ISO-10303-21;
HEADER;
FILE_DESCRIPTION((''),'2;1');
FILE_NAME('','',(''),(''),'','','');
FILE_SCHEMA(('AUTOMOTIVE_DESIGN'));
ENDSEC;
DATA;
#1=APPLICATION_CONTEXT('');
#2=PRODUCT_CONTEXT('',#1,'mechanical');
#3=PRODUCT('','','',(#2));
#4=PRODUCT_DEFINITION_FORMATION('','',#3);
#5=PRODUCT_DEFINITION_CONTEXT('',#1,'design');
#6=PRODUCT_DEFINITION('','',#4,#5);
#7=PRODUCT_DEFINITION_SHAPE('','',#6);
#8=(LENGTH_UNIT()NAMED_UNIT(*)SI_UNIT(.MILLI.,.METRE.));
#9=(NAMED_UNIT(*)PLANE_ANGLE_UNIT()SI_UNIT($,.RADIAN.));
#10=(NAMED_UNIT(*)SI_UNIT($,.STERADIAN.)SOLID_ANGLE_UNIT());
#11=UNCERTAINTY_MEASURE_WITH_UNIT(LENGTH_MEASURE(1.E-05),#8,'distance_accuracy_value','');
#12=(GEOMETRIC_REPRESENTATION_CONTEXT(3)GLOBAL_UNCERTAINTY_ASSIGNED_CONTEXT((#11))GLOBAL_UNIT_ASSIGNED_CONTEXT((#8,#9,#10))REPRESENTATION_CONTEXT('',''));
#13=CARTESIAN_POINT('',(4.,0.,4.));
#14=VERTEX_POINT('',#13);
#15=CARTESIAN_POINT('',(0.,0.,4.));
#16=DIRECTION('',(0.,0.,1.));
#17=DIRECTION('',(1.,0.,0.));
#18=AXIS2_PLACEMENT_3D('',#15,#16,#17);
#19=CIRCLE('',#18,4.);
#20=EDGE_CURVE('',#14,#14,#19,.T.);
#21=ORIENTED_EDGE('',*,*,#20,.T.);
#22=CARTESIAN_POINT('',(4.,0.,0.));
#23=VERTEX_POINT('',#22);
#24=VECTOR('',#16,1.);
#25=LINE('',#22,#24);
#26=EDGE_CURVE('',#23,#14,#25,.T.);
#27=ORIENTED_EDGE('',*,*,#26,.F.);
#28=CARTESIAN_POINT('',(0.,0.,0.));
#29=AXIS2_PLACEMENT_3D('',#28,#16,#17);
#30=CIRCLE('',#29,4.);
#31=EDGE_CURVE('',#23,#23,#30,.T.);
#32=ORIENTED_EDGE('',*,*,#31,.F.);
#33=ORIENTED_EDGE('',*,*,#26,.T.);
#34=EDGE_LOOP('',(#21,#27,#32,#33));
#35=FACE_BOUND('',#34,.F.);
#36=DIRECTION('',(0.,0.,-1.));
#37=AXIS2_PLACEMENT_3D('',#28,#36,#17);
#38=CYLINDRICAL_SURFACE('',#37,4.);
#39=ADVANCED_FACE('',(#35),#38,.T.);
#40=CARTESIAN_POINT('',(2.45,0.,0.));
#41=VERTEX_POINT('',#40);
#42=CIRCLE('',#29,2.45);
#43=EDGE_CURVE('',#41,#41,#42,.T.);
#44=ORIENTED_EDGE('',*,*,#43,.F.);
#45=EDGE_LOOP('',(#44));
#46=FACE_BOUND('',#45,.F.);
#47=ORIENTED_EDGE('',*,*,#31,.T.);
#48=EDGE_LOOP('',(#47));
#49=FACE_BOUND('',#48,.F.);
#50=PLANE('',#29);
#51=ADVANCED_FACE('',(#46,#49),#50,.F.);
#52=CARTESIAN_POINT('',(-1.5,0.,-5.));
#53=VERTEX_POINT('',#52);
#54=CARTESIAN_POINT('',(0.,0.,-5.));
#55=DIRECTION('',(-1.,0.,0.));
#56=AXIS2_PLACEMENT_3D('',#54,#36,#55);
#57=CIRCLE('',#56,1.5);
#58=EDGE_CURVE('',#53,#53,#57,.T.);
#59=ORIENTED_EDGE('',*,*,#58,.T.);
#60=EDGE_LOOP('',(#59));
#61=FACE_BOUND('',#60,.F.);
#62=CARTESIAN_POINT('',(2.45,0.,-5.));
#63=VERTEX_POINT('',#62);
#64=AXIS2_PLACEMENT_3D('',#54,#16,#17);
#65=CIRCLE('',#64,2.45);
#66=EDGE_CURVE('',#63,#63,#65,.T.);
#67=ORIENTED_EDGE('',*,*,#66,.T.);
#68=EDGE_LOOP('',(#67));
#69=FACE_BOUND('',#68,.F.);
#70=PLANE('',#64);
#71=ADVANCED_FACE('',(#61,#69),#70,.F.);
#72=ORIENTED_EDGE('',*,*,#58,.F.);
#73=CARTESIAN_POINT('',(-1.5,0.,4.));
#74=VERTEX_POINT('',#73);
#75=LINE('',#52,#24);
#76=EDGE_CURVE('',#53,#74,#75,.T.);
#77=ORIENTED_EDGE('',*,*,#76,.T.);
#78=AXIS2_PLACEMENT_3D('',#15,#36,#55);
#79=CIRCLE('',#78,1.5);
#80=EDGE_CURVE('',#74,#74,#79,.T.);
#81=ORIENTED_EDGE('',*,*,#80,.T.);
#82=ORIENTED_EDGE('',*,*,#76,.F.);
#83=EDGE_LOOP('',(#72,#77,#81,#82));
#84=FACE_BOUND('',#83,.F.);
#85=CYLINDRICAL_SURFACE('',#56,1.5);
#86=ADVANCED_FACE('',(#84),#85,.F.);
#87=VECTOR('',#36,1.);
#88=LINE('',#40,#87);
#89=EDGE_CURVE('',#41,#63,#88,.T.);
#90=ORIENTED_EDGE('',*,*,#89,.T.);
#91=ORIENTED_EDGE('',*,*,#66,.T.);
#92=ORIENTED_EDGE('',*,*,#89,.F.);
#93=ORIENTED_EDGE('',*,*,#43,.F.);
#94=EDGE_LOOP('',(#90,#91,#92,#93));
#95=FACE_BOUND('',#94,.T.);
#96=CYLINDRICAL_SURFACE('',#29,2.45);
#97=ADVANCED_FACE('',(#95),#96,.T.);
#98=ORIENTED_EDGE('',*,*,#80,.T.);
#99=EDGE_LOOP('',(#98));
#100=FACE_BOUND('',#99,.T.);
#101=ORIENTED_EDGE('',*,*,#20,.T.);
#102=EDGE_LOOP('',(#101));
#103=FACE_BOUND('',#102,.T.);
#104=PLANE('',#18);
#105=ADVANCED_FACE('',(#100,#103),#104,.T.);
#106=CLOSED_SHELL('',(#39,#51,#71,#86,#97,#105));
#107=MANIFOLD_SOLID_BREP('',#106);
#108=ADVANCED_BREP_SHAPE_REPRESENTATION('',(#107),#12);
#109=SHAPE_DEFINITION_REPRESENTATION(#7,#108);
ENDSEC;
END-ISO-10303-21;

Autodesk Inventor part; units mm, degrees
ref_plane "YZ Plane" through (0, 0, 0) normal (1, 0, 0) x (0, 1, 0)
ref_plane "XZ Plane" through (0, 0, 0) normal (0, 1, 0) x (-1, 0, 0)
ref_plane "XY Plane" through (0, 0, 0) normal (0, 0, 1) x (1, 0, 0)
sketch "스케치1" plane through (0, 0, 0) normal (0, 0, 1) x (1, 0, 0)
  circle A0 centre (0, 0) radius 4
  circle A1 centre (0, 0) radius 2.45
  dimension "d0" = 8
  dimension "d1" = 4.9
extrude "돌출1" add sketch "스케치1" along normal blind 4 contours A0 | A1
extrude "돌출2" add sketch "스케치1" against normal blind 5 contours A1
sketch "스케치2" plane through (0, 0, -5) normal (0, 0, -1) x (-1, 0, 0)
  circle A0 centre (0, 0) radius 1.5
  dimension "d6" = 3
extrude "돌출3" cut sketch "스케치2" against normal through all
properties part number "SteeringConnector"
